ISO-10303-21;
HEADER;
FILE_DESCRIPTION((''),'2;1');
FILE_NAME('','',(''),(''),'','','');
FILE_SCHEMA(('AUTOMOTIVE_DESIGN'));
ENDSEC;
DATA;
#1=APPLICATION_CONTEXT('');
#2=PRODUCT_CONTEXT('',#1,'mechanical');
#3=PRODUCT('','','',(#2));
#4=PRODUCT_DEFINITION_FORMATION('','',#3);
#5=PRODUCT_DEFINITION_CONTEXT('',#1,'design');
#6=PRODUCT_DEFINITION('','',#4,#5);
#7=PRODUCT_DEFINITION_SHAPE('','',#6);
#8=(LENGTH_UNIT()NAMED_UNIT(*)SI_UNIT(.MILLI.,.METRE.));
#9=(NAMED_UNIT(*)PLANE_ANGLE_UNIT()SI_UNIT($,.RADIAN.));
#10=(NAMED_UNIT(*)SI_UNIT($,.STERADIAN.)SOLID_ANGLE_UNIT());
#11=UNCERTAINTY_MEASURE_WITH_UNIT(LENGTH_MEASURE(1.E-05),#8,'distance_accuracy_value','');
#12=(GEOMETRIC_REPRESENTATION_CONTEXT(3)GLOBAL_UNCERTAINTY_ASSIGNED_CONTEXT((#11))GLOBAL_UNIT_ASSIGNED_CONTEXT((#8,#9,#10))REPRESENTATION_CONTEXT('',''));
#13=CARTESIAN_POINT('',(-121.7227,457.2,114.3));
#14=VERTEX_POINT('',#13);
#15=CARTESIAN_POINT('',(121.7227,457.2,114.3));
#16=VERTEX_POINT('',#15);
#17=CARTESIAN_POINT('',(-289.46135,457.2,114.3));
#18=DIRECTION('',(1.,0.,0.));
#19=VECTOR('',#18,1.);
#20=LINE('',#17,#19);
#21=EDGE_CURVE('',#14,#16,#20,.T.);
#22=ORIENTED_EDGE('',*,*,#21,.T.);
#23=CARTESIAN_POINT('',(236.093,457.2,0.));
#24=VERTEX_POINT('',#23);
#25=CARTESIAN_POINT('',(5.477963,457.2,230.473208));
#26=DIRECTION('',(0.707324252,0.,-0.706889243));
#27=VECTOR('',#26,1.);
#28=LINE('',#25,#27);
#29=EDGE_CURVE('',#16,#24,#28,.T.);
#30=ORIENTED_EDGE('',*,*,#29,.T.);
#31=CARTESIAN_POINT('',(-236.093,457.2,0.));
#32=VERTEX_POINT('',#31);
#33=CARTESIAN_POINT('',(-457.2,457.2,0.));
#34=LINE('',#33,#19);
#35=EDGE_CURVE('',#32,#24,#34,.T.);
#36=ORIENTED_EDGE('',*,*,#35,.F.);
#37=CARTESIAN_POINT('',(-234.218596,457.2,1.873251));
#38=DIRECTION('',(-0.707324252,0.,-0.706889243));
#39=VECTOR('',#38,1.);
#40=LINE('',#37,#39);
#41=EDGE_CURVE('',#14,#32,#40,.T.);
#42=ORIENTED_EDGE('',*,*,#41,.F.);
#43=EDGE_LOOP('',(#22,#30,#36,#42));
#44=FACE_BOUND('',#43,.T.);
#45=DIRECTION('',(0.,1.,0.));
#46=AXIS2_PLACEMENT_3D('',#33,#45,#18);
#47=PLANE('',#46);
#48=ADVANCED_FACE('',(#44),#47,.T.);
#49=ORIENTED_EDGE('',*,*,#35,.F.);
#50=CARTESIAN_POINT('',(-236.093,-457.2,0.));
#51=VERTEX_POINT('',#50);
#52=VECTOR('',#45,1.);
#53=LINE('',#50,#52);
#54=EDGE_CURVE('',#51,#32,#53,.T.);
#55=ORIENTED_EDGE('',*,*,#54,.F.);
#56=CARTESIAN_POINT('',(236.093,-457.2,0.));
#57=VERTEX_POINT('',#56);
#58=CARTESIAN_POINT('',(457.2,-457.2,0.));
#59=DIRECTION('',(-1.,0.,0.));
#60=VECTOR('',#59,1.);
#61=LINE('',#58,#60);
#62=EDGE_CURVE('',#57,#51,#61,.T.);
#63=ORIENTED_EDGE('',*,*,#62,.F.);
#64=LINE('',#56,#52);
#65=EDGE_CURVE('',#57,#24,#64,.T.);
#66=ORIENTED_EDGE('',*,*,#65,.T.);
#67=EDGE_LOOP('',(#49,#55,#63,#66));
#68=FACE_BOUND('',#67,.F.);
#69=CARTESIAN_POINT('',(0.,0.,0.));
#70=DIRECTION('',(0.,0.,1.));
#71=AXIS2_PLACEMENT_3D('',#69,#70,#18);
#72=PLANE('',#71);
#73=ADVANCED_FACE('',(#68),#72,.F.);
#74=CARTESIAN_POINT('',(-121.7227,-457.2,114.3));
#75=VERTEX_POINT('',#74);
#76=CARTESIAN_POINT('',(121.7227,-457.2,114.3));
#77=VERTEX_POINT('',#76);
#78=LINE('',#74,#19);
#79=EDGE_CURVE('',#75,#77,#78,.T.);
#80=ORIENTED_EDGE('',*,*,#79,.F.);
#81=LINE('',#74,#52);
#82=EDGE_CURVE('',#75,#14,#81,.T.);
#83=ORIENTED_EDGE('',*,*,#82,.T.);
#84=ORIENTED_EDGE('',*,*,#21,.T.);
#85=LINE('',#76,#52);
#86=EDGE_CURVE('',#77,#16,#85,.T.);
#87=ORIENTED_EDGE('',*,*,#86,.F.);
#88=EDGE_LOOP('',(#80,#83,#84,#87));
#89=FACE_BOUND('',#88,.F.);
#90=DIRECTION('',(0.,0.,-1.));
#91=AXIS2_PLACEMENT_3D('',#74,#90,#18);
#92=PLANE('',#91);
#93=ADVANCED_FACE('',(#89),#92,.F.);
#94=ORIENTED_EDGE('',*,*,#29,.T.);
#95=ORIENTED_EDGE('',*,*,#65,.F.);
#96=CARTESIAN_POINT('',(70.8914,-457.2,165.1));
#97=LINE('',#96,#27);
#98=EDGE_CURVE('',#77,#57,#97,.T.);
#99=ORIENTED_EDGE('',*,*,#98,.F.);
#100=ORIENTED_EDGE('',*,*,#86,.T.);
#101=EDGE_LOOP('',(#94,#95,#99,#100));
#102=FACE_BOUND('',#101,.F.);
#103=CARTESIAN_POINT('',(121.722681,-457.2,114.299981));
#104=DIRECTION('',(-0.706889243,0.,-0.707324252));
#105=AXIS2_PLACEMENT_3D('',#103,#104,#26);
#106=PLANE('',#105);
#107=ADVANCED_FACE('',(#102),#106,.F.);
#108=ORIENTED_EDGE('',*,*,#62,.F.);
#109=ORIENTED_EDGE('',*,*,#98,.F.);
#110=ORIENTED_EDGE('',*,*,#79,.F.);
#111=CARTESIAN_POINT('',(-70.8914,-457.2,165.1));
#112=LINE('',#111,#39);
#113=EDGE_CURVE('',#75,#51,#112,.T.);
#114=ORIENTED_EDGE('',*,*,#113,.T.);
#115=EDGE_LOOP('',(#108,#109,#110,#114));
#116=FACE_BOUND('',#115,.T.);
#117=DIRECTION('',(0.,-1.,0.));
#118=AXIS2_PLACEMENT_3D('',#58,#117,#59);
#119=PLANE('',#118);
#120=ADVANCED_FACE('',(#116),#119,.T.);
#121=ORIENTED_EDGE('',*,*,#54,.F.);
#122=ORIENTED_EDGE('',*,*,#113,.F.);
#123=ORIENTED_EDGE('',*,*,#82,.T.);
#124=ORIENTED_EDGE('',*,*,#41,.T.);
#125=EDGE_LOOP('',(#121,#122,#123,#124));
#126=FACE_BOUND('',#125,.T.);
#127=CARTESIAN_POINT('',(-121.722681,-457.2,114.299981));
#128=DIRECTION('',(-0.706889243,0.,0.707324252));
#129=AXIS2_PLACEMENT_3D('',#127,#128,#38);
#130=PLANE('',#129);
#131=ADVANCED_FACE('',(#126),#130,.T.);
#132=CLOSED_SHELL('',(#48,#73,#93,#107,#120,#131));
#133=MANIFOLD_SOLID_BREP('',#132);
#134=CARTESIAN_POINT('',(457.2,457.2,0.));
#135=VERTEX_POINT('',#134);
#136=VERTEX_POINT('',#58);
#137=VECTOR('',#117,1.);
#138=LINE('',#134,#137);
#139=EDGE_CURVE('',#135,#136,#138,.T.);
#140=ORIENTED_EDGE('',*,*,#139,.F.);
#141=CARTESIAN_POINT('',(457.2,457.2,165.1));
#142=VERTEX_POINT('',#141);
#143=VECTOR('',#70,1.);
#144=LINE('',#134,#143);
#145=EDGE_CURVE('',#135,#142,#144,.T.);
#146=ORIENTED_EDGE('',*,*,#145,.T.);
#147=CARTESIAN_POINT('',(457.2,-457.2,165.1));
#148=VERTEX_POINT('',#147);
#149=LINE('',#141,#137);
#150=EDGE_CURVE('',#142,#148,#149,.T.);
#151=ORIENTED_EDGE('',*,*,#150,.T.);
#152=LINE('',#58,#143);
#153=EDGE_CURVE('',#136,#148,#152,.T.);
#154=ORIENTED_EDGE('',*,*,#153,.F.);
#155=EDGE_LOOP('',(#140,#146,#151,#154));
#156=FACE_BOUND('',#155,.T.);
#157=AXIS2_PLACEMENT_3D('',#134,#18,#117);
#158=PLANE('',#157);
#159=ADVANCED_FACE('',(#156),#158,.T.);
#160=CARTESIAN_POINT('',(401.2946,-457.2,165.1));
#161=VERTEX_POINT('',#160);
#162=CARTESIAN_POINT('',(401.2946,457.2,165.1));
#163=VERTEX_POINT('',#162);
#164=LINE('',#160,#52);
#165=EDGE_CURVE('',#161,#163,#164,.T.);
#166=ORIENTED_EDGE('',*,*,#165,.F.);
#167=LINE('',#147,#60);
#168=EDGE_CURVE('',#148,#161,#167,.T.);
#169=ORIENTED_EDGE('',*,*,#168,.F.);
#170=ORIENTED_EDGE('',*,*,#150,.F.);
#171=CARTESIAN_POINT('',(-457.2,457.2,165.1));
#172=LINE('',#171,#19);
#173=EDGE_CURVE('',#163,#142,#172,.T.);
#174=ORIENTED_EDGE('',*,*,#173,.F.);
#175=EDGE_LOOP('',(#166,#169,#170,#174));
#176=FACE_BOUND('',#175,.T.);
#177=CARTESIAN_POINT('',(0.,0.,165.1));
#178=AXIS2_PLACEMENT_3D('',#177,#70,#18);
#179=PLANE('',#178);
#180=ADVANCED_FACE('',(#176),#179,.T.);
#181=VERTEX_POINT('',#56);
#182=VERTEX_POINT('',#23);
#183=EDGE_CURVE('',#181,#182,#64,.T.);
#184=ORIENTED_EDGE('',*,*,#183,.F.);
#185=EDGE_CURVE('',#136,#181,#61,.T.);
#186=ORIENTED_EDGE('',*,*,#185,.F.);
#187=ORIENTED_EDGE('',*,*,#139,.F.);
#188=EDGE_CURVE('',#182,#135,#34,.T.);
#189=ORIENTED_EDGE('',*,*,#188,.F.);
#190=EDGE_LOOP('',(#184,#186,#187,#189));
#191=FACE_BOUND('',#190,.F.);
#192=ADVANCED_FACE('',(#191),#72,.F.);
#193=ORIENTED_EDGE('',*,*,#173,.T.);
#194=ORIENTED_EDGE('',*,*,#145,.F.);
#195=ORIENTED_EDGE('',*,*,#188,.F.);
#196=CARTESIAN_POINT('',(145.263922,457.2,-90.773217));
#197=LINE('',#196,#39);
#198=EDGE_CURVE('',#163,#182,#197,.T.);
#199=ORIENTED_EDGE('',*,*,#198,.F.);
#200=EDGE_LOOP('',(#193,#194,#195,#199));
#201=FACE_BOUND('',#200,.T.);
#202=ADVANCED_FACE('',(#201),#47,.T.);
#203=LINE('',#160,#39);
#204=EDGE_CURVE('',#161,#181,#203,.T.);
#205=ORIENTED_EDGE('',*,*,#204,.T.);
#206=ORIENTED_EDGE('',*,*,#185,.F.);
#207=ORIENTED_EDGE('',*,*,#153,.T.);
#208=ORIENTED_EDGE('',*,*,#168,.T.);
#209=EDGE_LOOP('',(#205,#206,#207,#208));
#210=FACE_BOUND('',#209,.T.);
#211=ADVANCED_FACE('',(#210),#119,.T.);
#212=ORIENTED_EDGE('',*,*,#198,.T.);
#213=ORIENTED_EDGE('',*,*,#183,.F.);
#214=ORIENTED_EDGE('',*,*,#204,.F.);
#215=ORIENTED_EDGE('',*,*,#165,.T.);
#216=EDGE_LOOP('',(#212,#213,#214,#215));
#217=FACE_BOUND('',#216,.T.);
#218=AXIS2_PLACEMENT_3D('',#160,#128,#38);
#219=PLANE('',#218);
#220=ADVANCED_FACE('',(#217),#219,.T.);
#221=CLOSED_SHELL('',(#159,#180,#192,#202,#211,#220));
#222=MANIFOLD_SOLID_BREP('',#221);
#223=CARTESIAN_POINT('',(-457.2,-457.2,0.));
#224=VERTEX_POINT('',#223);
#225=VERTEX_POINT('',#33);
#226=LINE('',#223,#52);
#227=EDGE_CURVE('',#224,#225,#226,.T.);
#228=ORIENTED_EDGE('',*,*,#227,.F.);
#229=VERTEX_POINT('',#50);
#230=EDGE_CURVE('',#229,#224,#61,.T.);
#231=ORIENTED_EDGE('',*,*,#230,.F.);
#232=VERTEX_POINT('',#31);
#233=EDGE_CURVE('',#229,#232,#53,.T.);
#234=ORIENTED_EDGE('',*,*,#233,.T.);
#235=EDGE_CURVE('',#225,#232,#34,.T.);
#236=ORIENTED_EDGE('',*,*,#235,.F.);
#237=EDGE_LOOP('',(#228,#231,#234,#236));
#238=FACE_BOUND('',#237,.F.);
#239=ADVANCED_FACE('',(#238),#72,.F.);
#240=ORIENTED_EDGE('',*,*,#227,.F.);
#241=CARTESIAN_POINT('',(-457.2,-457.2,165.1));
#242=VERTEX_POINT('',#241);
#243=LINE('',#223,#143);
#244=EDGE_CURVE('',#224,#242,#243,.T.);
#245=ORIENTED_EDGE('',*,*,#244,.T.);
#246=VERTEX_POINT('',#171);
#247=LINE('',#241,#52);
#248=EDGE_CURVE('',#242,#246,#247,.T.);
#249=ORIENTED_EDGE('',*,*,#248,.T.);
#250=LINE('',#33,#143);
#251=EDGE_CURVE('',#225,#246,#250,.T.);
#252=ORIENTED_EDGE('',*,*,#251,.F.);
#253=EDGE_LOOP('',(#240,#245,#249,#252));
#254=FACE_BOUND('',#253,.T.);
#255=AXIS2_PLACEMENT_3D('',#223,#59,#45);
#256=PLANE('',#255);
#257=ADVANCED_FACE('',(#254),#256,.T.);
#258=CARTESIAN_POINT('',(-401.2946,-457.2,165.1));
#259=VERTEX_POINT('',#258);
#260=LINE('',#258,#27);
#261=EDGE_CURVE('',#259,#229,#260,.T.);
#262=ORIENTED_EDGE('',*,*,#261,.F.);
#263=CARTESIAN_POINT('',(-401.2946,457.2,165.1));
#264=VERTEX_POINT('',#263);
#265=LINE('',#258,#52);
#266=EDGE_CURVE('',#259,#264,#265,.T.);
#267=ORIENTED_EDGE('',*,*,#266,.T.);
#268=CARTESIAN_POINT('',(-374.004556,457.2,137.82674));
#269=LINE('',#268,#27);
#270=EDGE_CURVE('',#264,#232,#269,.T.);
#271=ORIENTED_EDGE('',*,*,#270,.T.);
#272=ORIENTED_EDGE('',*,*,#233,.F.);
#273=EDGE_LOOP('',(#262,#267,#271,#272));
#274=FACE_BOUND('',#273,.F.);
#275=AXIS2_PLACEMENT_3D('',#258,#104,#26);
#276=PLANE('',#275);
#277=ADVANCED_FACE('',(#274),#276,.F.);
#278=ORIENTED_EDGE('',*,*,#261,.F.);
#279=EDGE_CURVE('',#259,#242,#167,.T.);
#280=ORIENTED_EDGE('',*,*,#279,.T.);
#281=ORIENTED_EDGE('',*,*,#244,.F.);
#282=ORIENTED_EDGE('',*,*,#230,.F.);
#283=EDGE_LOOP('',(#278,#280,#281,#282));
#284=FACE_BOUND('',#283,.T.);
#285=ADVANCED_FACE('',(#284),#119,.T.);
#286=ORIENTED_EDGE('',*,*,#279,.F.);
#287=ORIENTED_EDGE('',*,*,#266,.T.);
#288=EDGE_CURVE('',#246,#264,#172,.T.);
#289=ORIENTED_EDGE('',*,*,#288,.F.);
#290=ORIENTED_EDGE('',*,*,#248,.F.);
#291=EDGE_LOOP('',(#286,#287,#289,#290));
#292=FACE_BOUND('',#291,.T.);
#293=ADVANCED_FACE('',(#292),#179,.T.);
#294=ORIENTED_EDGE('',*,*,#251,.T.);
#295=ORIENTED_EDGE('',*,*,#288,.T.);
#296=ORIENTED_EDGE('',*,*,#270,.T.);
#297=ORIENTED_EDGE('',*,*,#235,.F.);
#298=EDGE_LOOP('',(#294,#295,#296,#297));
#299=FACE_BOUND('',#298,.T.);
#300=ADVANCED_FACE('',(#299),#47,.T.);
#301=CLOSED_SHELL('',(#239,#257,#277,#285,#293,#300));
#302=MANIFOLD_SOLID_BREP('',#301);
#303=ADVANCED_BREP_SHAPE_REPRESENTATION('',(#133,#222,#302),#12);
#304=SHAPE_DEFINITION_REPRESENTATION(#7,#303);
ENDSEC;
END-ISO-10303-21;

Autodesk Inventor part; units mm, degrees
ref_plane "YZ Plane" through (0, 0, 0) normal (1, 0, 0) x (0, 1, 0)
ref_plane "XZ Plane" through (0, 0, 0) normal (0, 1, 0) x (-1, 0, 0)
ref_plane "XY Plane" through (0, 0, 0) normal (0, 0, 1) x (1, 0, 0)
sketch "Sketch1" plane through (0, 0, 0) normal (0, 0, 1) x (1, 0, 0)
  line L0 (-247.65, 228.6) -> (-209.55, 228.6)
  line L1 (-209.55, 228.6) -> (-209.55, -228.6)
  line L2 (-209.55, -228.6) -> (-247.65, -228.6)
  line L3 (-247.65, -228.6) -> (-247.65, 228.6)
  line L4 (-228.6, 228.6) -> (-228.6, -228.6) construction
  line L5 (209.55, 228.6) -> (247.65, 228.6)
  line L6 (247.65, 228.6) -> (247.65, -228.6)
  line L7 (247.65, -228.6) -> (209.55, -228.6)
  line L8 (209.55, -228.6) -> (209.55, 228.6)
  line L9 (-349.25, 330.2) -> (349.25, 330.2) construction
  line L10 (349.25, 330.2) -> (349.25, -330.2) construction
  line L11 (349.25, -330.2) -> (-349.25, -330.2) construction
  line L12 (-349.25, -330.2) -> (-349.25, 330.2) construction
  line L13 (-107.95, 228.6) -> (107.95, 228.6) construction
  line L14 (107.95, 228.6) -> (107.95, -228.6) construction
  line L15 (107.95, -228.6) -> (-107.95, -228.6) construction
  line L16 (-107.95, -228.6) -> (-107.95, 228.6) construction
  line L17 (-401.2827, 264.5369) -> (286.6055, 385.8301) construction
  line L18 (286.6055, 385.8301) -> (401.2827, -264.5369) construction
  line L19 (401.2827, -264.5369) -> (-286.6055, -385.8301) construction
  line L20 (-286.6055, -385.8301) -> (-401.2827, 264.5369) construction
  line L21 (-146.006, 206.3817) -> (66.614, 243.8724) construction
  line L22 (66.614, 243.8724) -> (146.006, -206.3817) construction
  line L23 (146.006, -206.3817) -> (-66.614, -243.8724) construction
  line L24 (-66.614, -243.8724) -> (-146.006, 206.3817) construction
  line L25 (-286.6055, 385.8301) -> (401.2827, 264.5369) construction
  line L26 (401.2827, 264.5369) -> (286.6055, -385.8301) construction
  line L27 (286.6055, -385.8301) -> (-401.2827, -264.5369) construction
  line L28 (-401.2827, -264.5369) -> (-286.6055, 385.8301) construction
  line L29 (-66.614, 243.8724) -> (146.006, 206.3817) construction
  line L30 (146.006, 206.3817) -> (66.614, -243.8724) construction
  line L31 (66.614, -243.8724) -> (-146.006, -206.3817) construction
  line L32 (-146.006, -206.3817) -> (-66.614, 243.8724) construction
  line L33 (-401.2827, 385.8301) -> (401.2827, 385.8301)
  line L34 (401.2827, 385.8301) -> (401.2827, -385.8301)
  line L35 (401.2827, -385.8301) -> (-401.2827, -385.8301)
  line L36 (-401.2827, -385.8301) -> (-401.2827, 385.8301)
  line L37 (-457.2, 457.2) -> (457.2, 457.2)
  line L38 (457.2, 457.2) -> (457.2, -457.2)
  line L39 (457.2, -457.2) -> (-457.2, -457.2)
  line L40 (-457.2, -457.2) -> (-457.2, 457.2)
  line L41 (-70.8892, 219.6269) -> (70.8892, 219.6269)
  line L42 (70.8892, 219.6269) -> (70.8892, -219.6269)
  line L43 (70.8892, -219.6269) -> (-70.8892, -219.6269)
  line L44 (-70.8892, -219.6269) -> (-70.8892, 219.6269)
  circle A0 centre (0, 0) radius 480.6325 construction
  circle A1 centre (0, 0) radius 252.8066 construction
  point P0 (228.6, 228.6)
  point P1 (-70.8892, 219.6269)
  point P2 (-70.8892, -219.6269)
  point P3 (0, -385.8301)
  point P4 (0, 385.8301)
  point P5 (70.8892, 219.6269)
  point P6 (70.8892, 219.6269)
  dimension "d0" = 38.1
  dimension "d1" = 457.2
  dimension "d2" = 228.6
  dimension "d4" = 228.6
  dimension "d5" = 38.1
  dimension "d6" = 457.2
  dimension "d7" = 228.6
  dimension "d8" = 228.6
  dimension "d9" = 101.6
  dimension "d10" = 101.6
  dimension "d11" = 101.6
  dimension "d12" = 101.6
  dimension "d23" = 241.3
  dimension "d24" = 241.3
  dimension "d25" = 101.6
  dimension "d26" = 101.6
  dimension "d27" = 241.3
  dimension "d28" = 241.3
  dimension "d29" = 101.6
  dimension "d30" = 101.6
  dimension "d31" = 241.3
  dimension "d32" = 241.3
  dimension "d33" = 101.6
  dimension "d34" = 101.6
  dimension "d35" = 914.4
  dimension "d36" = 914.4
  dimension "d37" = 71.3698
  dimension "d38" = 802.5655
  dimension "d39" = 771.6603
  dimension "d40" = 55.9173
  dimension "d43" = 330.3936
extrude "Extrusion1" add sketch "Sketch1" along normal blind 165.1 contours L0 L1 L2 L3 | L5 L6 L7 L8 | L33 L34 L35 L36 | L37 L38 L39 L40 | L41 L42 L43 L44
sketch "Sketch2" plane through (-457.2, -457.2, 0) normal (0, -1, 0) x (1, 0, 0)
  line L0 (0, 165.1) -> (914.4, 165.1) projected
  line L1 (0, 165.1) -> (55.9054, 165.1)
  line L2 (55.9054, 165.1) -> (386.3086, 165.1) construction
  line L3 (914.4, 165.1) -> (858.4946, 165.1)
  line L4 (858.4946, 165.1) -> (528.0914, 165.1) construction
  line L5 (0, 0) -> (914.4, 0) projected
  line L6 (221.107, 165.1) -> (221.107, 0) construction
  line L7 (693.293, 165.1) -> (693.293, 0) construction
  line L8 (55.9054, 165.1) -> (221.107, 0)
  line L9 (858.4946, 165.1) -> (693.293, 0)
  line L10 (528.0914, 165.1) -> (693.293, 0)
  line L11 (386.3086, 165.1) -> (221.107, 0)
  line L12 (386.3086, 165.1) -> (528.0914, 165.1)
  line L13 (55.9054, 165.1) -> (386.3086, 165.1)
  line L14 (528.0914, 165.1) -> (858.4946, 165.1)
  line L15 (457.2, 165.1) -> (457.2, 114.3) construction
  line L16 (335.4773, 114.3) -> (578.9227, 114.3)
  point P0 (457.2, 0)
  point P1 (386.3086, 165.1)
  dimension "d46" = 55.9054
  dimension "d47" = 330.4032
  dimension "d48" = 55.9054
  dimension "d49" = 330.4032
  dimension "d52" = 90.035
  dimension "d53" = 50.8
extrude "Extrusion2" cut sketch "Sketch2" against normal up to next contours L0 L11 L8 | L0 L10 L16 L11 | L0 L9 L10
equation "\"d5\" = d0"
equation "\"d6\" = d1"
equation "\"d7\" = d4"
equation "\"d8\" = d2"
properties part number "W LandingBase"
